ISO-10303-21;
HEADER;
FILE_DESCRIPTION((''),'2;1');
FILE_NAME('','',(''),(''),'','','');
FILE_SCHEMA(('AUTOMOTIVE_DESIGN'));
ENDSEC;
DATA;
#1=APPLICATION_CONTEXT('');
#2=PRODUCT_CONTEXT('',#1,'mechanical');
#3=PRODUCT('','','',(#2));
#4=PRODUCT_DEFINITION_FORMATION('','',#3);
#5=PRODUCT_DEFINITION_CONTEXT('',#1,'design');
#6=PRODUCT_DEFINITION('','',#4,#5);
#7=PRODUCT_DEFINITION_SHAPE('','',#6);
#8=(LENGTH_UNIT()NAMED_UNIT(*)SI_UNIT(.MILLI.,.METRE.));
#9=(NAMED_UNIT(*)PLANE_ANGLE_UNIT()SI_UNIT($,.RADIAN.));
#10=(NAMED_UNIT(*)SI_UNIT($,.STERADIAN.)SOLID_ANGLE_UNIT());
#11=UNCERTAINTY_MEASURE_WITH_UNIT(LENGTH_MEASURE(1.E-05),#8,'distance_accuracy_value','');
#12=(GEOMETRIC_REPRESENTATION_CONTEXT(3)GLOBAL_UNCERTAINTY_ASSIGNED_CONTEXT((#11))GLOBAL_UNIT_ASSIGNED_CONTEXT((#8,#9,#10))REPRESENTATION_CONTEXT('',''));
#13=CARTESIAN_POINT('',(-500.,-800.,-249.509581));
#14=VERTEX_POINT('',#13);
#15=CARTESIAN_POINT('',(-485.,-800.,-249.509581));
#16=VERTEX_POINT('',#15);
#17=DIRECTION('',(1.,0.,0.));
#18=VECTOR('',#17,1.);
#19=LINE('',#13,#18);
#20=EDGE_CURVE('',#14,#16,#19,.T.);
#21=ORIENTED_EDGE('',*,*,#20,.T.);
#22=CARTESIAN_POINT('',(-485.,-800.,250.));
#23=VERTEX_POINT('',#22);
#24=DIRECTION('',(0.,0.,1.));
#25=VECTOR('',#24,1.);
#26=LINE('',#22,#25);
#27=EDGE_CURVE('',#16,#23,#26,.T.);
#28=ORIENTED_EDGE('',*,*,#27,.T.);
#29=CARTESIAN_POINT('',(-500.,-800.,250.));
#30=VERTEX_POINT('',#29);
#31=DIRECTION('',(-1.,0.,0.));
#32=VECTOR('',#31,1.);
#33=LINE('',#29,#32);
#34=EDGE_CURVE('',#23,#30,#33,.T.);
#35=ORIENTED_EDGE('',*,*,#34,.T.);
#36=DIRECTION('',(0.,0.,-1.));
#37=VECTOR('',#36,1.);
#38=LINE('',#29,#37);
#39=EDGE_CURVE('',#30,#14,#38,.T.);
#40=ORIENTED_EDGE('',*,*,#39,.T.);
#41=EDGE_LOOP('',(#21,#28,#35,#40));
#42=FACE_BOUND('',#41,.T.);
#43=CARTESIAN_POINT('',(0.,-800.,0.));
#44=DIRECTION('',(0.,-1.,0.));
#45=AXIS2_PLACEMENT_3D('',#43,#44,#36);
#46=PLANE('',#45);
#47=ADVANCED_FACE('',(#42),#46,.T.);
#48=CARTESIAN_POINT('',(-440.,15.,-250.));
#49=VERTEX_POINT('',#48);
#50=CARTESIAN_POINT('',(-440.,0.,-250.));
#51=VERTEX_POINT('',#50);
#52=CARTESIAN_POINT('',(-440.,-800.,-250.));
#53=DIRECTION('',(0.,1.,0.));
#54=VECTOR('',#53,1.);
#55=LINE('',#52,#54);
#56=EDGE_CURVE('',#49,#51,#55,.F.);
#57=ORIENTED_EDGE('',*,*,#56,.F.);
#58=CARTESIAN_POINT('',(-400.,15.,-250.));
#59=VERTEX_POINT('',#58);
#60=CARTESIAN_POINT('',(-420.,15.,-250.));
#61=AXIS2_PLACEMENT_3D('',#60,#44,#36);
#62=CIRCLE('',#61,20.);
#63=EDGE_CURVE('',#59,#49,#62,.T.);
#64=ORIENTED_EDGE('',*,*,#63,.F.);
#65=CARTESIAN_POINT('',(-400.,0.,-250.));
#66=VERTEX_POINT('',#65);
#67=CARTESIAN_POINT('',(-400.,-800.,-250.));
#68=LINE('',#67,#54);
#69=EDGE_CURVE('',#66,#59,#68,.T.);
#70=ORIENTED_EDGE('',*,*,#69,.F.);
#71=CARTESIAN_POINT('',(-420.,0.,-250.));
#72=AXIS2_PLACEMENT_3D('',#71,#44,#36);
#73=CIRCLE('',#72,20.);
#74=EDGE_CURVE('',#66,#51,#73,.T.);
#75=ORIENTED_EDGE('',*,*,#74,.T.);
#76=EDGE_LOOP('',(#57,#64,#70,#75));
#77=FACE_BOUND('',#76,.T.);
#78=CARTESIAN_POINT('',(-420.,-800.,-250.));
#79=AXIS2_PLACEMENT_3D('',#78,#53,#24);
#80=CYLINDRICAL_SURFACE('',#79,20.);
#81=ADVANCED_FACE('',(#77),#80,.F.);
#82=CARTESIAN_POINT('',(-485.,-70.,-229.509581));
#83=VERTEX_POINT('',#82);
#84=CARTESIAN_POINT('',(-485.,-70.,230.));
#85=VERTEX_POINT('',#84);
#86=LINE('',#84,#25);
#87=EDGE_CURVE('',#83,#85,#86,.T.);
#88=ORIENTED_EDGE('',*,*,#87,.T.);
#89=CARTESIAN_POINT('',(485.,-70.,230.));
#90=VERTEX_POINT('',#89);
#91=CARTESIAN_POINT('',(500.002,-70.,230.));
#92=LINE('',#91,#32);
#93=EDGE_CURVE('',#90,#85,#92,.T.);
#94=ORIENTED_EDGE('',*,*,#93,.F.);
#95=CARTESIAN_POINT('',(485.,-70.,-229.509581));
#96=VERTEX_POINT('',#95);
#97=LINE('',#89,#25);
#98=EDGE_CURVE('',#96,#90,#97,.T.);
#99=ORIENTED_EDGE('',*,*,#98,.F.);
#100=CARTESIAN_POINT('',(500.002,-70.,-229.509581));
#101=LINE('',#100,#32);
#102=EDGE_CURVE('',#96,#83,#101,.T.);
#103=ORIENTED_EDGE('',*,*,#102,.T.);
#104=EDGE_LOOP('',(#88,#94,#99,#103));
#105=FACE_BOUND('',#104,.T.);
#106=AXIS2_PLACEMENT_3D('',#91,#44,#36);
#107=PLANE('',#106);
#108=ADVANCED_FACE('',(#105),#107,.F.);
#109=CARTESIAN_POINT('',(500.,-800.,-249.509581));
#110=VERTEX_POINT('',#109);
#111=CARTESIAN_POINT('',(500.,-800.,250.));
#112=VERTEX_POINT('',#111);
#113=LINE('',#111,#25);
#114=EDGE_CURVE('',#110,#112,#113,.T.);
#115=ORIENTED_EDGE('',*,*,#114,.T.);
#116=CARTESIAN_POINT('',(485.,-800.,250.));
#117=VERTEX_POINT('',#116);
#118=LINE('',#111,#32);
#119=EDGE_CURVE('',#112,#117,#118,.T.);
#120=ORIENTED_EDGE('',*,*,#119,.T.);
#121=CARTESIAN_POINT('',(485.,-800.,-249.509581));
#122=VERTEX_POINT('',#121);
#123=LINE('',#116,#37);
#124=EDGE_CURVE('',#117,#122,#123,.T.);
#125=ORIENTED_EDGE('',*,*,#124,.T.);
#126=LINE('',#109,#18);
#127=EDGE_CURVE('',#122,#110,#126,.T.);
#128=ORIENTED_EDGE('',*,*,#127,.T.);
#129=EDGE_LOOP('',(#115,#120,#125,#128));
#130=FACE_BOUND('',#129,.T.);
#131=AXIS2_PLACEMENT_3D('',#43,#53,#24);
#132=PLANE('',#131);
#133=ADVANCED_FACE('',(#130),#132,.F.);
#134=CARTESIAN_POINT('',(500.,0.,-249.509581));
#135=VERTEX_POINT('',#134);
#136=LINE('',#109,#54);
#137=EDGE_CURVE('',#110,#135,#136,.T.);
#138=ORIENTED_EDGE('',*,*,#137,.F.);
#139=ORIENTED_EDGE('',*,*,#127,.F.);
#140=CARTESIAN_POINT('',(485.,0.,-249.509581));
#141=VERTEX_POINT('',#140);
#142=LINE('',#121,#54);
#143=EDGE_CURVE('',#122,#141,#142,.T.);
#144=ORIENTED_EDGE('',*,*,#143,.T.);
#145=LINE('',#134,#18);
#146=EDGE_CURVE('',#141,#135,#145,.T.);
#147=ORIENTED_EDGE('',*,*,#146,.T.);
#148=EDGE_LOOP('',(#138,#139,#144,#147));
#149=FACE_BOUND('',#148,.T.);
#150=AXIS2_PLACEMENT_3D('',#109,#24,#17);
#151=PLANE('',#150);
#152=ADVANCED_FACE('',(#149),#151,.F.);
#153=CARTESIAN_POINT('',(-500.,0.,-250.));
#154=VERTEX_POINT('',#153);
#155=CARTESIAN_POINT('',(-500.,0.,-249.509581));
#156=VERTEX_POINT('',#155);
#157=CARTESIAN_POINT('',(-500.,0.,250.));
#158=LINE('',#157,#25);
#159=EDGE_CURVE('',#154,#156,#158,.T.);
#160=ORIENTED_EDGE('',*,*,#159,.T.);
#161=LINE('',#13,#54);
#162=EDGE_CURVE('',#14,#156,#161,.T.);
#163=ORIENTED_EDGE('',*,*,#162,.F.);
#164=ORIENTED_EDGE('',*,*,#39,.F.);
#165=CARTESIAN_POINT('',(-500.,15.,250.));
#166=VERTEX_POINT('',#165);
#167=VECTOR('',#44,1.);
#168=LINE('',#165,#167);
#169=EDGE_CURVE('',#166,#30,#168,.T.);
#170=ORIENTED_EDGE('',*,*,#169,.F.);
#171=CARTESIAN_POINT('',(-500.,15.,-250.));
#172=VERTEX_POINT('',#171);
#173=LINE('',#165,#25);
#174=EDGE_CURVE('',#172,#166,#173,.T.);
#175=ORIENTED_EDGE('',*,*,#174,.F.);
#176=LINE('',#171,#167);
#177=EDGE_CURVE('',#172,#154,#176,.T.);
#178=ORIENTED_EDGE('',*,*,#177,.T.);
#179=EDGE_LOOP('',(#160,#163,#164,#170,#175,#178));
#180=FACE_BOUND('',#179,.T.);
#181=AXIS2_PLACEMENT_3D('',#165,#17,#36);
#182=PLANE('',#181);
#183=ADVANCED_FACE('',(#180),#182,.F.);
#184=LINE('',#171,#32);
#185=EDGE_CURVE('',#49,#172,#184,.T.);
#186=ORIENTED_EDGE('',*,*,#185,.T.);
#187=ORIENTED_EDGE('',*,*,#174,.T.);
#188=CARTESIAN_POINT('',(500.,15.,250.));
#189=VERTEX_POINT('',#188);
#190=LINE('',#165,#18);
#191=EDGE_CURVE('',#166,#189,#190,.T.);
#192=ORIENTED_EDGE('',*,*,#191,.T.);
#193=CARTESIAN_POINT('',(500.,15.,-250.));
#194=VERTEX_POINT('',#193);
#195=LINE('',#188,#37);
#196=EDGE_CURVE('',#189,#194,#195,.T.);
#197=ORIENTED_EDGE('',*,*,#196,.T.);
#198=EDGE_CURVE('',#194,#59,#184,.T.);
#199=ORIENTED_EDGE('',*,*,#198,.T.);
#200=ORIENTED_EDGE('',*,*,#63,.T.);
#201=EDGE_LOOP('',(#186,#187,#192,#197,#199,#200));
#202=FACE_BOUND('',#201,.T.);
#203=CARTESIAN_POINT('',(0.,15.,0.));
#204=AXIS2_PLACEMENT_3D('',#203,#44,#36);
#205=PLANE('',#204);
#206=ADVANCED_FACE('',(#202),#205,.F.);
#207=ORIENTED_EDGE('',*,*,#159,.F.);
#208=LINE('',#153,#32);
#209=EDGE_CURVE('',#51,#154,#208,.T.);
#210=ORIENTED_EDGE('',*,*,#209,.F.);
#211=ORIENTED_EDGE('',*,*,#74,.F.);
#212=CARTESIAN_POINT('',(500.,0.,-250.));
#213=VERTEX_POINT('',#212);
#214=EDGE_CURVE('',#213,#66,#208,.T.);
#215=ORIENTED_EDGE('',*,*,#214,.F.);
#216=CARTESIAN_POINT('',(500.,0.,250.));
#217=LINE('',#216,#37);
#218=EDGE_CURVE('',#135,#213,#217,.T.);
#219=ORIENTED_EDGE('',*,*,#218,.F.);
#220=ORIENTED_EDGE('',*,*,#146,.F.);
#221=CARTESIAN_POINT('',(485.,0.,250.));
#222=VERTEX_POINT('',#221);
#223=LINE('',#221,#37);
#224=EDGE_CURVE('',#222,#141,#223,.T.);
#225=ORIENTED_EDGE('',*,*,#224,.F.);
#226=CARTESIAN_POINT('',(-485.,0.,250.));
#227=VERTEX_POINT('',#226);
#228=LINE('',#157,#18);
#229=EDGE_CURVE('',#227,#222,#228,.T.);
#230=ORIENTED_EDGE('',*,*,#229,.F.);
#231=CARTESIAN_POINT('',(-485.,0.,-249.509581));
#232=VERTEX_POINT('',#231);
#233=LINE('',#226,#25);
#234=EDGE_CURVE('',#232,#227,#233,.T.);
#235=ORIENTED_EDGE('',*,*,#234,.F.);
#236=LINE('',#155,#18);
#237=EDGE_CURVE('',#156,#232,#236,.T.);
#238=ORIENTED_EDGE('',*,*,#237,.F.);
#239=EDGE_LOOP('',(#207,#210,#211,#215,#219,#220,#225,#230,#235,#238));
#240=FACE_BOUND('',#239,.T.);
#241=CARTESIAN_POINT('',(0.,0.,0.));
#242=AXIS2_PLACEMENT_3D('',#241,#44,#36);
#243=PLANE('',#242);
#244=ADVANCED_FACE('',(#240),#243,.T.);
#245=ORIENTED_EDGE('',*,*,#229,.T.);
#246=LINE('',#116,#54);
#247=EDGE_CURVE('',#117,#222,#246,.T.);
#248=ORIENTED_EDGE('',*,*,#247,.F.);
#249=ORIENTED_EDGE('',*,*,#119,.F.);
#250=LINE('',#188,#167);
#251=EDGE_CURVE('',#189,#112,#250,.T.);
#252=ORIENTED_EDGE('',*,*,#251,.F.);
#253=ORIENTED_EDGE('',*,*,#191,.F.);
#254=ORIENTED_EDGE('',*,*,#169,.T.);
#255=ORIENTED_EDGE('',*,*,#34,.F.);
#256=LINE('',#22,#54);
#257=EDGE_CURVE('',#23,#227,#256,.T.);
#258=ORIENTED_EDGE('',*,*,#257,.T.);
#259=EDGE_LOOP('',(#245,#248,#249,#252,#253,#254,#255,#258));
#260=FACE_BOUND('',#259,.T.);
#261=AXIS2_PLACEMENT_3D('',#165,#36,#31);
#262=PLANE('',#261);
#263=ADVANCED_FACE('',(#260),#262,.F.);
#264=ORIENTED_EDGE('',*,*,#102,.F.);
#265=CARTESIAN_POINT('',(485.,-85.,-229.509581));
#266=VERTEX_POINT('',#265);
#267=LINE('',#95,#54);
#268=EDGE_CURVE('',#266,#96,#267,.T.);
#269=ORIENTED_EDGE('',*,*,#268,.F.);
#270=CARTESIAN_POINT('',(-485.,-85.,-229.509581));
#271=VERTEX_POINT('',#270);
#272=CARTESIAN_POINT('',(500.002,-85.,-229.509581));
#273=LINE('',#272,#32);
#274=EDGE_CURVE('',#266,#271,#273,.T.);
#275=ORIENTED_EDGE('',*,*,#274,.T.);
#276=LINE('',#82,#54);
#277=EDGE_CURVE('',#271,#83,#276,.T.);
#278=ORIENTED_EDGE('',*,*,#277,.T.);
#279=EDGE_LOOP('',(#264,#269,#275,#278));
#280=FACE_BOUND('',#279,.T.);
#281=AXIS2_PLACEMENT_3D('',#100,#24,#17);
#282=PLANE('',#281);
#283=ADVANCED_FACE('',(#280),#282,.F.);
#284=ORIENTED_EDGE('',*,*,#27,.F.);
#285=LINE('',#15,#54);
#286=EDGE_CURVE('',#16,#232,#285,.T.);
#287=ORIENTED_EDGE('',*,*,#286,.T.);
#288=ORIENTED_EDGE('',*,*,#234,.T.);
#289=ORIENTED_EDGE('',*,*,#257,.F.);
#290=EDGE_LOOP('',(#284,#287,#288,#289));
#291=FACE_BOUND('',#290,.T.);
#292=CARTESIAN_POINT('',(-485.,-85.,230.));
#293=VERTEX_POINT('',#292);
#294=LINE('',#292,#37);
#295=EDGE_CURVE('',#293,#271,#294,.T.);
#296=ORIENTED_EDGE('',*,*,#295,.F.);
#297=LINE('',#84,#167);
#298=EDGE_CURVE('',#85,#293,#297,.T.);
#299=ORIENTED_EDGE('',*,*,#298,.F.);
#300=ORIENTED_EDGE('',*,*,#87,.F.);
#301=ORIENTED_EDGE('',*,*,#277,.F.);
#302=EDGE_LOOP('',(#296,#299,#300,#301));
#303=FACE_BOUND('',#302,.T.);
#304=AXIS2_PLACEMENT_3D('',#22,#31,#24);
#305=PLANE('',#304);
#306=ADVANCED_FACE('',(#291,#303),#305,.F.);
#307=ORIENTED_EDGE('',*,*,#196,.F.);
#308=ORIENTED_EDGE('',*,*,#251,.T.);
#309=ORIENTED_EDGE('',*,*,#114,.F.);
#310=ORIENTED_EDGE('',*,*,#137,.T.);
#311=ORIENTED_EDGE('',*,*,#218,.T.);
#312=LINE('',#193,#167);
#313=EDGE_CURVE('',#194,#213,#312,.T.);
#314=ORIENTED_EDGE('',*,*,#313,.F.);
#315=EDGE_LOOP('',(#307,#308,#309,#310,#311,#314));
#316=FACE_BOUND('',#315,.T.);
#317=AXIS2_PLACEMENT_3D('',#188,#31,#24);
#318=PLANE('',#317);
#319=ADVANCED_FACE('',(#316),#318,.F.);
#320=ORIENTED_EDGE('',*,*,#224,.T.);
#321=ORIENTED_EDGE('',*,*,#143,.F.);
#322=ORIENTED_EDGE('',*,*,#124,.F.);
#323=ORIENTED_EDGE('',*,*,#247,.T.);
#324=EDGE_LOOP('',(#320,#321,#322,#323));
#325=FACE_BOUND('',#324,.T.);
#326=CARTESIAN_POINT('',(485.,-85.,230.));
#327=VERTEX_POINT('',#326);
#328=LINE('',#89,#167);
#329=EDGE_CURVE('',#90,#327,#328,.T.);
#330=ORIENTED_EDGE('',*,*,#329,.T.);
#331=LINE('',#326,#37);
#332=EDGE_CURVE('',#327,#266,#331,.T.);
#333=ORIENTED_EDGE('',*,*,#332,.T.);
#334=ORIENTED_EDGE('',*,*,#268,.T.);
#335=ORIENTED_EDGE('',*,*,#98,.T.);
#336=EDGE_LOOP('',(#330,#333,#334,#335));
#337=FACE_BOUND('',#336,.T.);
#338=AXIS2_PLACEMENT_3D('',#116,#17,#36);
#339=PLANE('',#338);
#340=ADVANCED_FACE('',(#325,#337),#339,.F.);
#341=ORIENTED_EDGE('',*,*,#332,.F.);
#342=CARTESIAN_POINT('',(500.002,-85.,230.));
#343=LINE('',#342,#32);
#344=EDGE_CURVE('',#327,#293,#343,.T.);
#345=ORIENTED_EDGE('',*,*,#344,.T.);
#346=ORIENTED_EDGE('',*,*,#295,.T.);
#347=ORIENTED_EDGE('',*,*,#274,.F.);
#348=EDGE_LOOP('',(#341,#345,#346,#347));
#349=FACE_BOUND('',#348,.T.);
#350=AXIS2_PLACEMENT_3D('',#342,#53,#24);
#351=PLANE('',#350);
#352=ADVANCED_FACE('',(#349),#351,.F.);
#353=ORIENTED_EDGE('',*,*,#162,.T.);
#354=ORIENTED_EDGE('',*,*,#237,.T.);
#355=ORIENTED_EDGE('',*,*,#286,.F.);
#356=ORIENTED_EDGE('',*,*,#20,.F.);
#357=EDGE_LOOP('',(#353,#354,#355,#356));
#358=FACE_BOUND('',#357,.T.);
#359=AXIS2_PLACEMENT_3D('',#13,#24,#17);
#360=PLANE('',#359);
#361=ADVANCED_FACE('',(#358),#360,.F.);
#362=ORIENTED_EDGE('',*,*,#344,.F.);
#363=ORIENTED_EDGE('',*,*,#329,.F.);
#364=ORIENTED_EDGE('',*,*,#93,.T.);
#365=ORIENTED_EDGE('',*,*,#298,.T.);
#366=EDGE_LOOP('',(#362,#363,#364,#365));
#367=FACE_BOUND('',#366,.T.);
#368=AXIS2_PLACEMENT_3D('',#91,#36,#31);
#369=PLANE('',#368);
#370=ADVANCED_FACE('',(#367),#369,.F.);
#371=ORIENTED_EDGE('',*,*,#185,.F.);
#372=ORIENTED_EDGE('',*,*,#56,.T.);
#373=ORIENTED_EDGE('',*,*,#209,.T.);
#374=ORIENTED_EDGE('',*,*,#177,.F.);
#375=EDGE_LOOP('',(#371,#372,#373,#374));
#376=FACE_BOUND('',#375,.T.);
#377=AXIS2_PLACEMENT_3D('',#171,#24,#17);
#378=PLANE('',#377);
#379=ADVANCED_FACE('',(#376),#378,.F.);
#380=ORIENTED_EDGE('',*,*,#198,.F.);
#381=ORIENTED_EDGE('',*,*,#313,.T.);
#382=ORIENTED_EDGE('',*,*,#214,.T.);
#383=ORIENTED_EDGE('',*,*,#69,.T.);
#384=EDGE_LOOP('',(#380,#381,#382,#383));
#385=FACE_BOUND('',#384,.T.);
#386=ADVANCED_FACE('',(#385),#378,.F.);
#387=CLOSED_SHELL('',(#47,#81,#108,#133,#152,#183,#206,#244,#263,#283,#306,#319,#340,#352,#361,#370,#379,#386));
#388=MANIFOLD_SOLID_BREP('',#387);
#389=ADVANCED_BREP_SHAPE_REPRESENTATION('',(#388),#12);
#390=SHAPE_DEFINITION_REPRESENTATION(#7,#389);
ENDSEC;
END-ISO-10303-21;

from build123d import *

# Parameters (mm, degrees)
SKETCH1_W           = 1000
SKETCH1_H           = 500
BOSS_EXTRUDE1_DEPTH = 15
SKETCH2_W           = 15
SKETCH2_H           = 499.509580663
BOSS_EXTRUDE2_DEPTH = 800
BOSS_EXTRUDE3_REACH = 987
SKETCH3_W           = 459.509580663
SKETCH3_H           = 15
SKETCH4_R           = 20
CUT_EXTRUDE1_DEPTH  = 816


with BuildPart() as part:
    # Sketch1 → Boss-Extrude1 (new body)
    with BuildSketch(Plane(origin=(0, 0, 0), x_dir=(1, 0, 0), z_dir=(0, 1, 0))):
        Rectangle(SKETCH1_W, SKETCH1_H)
    extrude(amount=BOSS_EXTRUDE1_DEPTH)

    # Sketch2 → Boss-Extrude2 (add)
    with BuildSketch(Plane.XZ):
        with Locations((-492.5, 0.245209669)):
            Rectangle(SKETCH2_W, SKETCH2_H)
        with Locations((492.5, 0.245209669)):
            Rectangle(SKETCH2_W, SKETCH2_H)
    extrude(amount=BOSS_EXTRUDE2_DEPTH)

    # Sketch3 → Boss-Extrude3 (add, up to next)
    with BuildSketch(Plane(origin=(-485, 0, 0), x_dir=(0, 0, -1), z_dir=(1, 0, 0)), mode=Mode.PRIVATE) as boss_extrude3_sk1:
        with Locations((-0.245209669, -77.5)):
            Rectangle(SKETCH3_W, SKETCH3_H)
    boss_extrude3_tool1 = extrude(boss_extrude3_sk1.sketch, amount=BOSS_EXTRUDE3_REACH, mode=Mode.PRIVATE) - part.part
    add(boss_extrude3_tool1.solids().sort_by_distance((-485, -77.5, 0.24521))[0])

    # Sketch4 → Cut-Extrude1 (cut, through all)
    with BuildSketch(Plane(origin=(0, 15, 0), x_dir=(1, 0, 0), z_dir=(0, 1, 0))):
        with Locations((-420, 250)):
            Circle(SKETCH4_R)
    extrude(amount=-CUT_EXTRUDE1_DEPTH, mode=Mode.SUBTRACT)


solid = part.part
